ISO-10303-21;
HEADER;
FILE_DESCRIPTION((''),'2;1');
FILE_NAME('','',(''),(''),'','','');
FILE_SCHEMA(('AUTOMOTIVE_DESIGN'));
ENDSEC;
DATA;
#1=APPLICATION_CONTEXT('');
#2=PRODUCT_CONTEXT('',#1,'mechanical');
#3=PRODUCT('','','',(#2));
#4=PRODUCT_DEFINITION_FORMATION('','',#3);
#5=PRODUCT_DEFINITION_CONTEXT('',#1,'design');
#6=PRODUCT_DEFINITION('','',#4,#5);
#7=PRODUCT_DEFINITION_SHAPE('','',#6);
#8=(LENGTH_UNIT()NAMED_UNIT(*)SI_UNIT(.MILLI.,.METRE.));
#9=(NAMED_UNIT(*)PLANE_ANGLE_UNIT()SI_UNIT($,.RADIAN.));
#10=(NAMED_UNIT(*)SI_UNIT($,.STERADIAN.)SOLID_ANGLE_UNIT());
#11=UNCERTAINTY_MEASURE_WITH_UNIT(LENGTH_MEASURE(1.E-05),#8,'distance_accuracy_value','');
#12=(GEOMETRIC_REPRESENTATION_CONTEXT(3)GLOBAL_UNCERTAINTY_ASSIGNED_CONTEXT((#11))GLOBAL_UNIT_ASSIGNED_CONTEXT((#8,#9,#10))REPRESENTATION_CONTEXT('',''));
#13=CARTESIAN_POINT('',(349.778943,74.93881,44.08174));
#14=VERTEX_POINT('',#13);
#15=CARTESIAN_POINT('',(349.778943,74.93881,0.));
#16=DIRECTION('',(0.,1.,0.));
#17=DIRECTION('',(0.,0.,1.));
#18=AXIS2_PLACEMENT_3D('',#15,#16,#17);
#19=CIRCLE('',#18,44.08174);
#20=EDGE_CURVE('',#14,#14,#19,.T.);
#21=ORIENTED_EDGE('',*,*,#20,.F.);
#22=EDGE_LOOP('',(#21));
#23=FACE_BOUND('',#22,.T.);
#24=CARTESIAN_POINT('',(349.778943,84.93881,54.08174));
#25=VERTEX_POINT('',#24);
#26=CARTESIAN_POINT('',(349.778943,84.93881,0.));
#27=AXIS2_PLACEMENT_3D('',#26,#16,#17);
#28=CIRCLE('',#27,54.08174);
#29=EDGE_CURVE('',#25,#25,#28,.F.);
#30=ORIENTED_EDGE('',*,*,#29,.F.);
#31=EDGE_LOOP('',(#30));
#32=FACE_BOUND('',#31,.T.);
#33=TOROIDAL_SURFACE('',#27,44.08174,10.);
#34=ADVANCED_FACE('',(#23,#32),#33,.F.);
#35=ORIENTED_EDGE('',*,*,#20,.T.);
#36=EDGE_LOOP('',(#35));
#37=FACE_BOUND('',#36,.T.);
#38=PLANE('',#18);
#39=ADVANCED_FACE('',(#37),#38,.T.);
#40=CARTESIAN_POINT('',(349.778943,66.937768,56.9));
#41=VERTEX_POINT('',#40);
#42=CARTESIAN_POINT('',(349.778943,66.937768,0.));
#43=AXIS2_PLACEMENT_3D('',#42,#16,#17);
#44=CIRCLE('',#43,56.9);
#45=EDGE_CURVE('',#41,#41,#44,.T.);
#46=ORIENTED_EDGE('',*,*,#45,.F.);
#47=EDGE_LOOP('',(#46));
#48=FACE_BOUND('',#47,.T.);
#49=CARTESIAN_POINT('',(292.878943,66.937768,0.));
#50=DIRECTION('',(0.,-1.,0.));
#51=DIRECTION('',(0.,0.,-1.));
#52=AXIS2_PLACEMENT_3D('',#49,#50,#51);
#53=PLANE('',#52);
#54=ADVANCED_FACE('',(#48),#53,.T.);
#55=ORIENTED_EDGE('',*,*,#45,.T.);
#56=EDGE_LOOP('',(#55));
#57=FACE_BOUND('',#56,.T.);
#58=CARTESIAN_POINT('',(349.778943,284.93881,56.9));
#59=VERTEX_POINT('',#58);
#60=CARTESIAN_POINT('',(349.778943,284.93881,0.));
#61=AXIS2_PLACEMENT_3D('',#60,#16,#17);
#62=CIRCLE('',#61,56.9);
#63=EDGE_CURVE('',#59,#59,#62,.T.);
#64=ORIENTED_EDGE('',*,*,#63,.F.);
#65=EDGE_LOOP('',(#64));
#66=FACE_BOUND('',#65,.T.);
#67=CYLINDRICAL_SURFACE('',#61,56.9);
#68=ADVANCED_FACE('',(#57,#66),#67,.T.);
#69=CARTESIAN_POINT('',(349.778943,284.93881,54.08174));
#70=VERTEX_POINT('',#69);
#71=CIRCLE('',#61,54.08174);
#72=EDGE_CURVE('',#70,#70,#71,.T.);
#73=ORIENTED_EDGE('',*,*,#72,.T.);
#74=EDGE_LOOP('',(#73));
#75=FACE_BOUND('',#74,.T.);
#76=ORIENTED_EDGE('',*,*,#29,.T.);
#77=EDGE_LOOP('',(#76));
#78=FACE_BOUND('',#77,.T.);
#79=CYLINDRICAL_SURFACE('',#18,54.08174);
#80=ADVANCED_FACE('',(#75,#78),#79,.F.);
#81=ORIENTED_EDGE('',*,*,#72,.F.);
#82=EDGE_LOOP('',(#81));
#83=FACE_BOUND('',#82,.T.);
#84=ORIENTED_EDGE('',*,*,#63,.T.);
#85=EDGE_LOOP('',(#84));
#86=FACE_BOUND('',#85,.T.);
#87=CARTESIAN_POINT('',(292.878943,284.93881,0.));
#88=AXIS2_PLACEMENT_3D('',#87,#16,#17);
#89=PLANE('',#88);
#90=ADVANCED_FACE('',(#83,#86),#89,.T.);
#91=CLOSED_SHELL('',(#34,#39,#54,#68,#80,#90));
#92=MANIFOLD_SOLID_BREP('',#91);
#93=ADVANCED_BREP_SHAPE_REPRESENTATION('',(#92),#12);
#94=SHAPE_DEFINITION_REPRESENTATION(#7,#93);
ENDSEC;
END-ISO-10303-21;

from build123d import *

# Parameters (mm, degrees)
SKETCH2_W          = 56.9
SKETCH2_H          = 218.001042519
SKETCH3_R          = 54.081739793
CUT_EXTRUDE1_DEPTH = 210
FILLET1_R          = 10


with BuildPart() as part:
    # Sketch2 → Revolve2 (revolve)
    with BuildSketch(Plane.XY, mode=Mode.PRIVATE) as revolve2_sk:
        with Locations((321.328943302, 175.938289097)):
            Rectangle(SKETCH2_W, SKETCH2_H)
    revolve(revolve2_sk.sketch.rotate(Axis((349.778943302, 284.938810356, 0), (0, -1, 0)), 270), axis=Axis((349.778943302, 284.938810356, 0), (0, -1, 0)))

    # Sketch3 → Cut-Extrude1 (cut)
    with BuildSketch(Plane(origin=(0, 284.938810356, 0), x_dir=(1, 0, 0), z_dir=(0, 1, 0))):
        with Locations(Location((349.778943302, 0, 0), (0, 0, 270))):
            Circle(SKETCH3_R)
    extrude(amount=-CUT_EXTRUDE1_DEPTH, mode=Mode.SUBTRACT)

    # Fillet1
    fillet1_edges = [part.edges().sort_by_distance(p)[0] for p in [
        (349.778943302, 74.938810356, -54.081739793),
    ]]
    fillet(fillet1_edges, radius=FILLET1_R)


solid = part.part
